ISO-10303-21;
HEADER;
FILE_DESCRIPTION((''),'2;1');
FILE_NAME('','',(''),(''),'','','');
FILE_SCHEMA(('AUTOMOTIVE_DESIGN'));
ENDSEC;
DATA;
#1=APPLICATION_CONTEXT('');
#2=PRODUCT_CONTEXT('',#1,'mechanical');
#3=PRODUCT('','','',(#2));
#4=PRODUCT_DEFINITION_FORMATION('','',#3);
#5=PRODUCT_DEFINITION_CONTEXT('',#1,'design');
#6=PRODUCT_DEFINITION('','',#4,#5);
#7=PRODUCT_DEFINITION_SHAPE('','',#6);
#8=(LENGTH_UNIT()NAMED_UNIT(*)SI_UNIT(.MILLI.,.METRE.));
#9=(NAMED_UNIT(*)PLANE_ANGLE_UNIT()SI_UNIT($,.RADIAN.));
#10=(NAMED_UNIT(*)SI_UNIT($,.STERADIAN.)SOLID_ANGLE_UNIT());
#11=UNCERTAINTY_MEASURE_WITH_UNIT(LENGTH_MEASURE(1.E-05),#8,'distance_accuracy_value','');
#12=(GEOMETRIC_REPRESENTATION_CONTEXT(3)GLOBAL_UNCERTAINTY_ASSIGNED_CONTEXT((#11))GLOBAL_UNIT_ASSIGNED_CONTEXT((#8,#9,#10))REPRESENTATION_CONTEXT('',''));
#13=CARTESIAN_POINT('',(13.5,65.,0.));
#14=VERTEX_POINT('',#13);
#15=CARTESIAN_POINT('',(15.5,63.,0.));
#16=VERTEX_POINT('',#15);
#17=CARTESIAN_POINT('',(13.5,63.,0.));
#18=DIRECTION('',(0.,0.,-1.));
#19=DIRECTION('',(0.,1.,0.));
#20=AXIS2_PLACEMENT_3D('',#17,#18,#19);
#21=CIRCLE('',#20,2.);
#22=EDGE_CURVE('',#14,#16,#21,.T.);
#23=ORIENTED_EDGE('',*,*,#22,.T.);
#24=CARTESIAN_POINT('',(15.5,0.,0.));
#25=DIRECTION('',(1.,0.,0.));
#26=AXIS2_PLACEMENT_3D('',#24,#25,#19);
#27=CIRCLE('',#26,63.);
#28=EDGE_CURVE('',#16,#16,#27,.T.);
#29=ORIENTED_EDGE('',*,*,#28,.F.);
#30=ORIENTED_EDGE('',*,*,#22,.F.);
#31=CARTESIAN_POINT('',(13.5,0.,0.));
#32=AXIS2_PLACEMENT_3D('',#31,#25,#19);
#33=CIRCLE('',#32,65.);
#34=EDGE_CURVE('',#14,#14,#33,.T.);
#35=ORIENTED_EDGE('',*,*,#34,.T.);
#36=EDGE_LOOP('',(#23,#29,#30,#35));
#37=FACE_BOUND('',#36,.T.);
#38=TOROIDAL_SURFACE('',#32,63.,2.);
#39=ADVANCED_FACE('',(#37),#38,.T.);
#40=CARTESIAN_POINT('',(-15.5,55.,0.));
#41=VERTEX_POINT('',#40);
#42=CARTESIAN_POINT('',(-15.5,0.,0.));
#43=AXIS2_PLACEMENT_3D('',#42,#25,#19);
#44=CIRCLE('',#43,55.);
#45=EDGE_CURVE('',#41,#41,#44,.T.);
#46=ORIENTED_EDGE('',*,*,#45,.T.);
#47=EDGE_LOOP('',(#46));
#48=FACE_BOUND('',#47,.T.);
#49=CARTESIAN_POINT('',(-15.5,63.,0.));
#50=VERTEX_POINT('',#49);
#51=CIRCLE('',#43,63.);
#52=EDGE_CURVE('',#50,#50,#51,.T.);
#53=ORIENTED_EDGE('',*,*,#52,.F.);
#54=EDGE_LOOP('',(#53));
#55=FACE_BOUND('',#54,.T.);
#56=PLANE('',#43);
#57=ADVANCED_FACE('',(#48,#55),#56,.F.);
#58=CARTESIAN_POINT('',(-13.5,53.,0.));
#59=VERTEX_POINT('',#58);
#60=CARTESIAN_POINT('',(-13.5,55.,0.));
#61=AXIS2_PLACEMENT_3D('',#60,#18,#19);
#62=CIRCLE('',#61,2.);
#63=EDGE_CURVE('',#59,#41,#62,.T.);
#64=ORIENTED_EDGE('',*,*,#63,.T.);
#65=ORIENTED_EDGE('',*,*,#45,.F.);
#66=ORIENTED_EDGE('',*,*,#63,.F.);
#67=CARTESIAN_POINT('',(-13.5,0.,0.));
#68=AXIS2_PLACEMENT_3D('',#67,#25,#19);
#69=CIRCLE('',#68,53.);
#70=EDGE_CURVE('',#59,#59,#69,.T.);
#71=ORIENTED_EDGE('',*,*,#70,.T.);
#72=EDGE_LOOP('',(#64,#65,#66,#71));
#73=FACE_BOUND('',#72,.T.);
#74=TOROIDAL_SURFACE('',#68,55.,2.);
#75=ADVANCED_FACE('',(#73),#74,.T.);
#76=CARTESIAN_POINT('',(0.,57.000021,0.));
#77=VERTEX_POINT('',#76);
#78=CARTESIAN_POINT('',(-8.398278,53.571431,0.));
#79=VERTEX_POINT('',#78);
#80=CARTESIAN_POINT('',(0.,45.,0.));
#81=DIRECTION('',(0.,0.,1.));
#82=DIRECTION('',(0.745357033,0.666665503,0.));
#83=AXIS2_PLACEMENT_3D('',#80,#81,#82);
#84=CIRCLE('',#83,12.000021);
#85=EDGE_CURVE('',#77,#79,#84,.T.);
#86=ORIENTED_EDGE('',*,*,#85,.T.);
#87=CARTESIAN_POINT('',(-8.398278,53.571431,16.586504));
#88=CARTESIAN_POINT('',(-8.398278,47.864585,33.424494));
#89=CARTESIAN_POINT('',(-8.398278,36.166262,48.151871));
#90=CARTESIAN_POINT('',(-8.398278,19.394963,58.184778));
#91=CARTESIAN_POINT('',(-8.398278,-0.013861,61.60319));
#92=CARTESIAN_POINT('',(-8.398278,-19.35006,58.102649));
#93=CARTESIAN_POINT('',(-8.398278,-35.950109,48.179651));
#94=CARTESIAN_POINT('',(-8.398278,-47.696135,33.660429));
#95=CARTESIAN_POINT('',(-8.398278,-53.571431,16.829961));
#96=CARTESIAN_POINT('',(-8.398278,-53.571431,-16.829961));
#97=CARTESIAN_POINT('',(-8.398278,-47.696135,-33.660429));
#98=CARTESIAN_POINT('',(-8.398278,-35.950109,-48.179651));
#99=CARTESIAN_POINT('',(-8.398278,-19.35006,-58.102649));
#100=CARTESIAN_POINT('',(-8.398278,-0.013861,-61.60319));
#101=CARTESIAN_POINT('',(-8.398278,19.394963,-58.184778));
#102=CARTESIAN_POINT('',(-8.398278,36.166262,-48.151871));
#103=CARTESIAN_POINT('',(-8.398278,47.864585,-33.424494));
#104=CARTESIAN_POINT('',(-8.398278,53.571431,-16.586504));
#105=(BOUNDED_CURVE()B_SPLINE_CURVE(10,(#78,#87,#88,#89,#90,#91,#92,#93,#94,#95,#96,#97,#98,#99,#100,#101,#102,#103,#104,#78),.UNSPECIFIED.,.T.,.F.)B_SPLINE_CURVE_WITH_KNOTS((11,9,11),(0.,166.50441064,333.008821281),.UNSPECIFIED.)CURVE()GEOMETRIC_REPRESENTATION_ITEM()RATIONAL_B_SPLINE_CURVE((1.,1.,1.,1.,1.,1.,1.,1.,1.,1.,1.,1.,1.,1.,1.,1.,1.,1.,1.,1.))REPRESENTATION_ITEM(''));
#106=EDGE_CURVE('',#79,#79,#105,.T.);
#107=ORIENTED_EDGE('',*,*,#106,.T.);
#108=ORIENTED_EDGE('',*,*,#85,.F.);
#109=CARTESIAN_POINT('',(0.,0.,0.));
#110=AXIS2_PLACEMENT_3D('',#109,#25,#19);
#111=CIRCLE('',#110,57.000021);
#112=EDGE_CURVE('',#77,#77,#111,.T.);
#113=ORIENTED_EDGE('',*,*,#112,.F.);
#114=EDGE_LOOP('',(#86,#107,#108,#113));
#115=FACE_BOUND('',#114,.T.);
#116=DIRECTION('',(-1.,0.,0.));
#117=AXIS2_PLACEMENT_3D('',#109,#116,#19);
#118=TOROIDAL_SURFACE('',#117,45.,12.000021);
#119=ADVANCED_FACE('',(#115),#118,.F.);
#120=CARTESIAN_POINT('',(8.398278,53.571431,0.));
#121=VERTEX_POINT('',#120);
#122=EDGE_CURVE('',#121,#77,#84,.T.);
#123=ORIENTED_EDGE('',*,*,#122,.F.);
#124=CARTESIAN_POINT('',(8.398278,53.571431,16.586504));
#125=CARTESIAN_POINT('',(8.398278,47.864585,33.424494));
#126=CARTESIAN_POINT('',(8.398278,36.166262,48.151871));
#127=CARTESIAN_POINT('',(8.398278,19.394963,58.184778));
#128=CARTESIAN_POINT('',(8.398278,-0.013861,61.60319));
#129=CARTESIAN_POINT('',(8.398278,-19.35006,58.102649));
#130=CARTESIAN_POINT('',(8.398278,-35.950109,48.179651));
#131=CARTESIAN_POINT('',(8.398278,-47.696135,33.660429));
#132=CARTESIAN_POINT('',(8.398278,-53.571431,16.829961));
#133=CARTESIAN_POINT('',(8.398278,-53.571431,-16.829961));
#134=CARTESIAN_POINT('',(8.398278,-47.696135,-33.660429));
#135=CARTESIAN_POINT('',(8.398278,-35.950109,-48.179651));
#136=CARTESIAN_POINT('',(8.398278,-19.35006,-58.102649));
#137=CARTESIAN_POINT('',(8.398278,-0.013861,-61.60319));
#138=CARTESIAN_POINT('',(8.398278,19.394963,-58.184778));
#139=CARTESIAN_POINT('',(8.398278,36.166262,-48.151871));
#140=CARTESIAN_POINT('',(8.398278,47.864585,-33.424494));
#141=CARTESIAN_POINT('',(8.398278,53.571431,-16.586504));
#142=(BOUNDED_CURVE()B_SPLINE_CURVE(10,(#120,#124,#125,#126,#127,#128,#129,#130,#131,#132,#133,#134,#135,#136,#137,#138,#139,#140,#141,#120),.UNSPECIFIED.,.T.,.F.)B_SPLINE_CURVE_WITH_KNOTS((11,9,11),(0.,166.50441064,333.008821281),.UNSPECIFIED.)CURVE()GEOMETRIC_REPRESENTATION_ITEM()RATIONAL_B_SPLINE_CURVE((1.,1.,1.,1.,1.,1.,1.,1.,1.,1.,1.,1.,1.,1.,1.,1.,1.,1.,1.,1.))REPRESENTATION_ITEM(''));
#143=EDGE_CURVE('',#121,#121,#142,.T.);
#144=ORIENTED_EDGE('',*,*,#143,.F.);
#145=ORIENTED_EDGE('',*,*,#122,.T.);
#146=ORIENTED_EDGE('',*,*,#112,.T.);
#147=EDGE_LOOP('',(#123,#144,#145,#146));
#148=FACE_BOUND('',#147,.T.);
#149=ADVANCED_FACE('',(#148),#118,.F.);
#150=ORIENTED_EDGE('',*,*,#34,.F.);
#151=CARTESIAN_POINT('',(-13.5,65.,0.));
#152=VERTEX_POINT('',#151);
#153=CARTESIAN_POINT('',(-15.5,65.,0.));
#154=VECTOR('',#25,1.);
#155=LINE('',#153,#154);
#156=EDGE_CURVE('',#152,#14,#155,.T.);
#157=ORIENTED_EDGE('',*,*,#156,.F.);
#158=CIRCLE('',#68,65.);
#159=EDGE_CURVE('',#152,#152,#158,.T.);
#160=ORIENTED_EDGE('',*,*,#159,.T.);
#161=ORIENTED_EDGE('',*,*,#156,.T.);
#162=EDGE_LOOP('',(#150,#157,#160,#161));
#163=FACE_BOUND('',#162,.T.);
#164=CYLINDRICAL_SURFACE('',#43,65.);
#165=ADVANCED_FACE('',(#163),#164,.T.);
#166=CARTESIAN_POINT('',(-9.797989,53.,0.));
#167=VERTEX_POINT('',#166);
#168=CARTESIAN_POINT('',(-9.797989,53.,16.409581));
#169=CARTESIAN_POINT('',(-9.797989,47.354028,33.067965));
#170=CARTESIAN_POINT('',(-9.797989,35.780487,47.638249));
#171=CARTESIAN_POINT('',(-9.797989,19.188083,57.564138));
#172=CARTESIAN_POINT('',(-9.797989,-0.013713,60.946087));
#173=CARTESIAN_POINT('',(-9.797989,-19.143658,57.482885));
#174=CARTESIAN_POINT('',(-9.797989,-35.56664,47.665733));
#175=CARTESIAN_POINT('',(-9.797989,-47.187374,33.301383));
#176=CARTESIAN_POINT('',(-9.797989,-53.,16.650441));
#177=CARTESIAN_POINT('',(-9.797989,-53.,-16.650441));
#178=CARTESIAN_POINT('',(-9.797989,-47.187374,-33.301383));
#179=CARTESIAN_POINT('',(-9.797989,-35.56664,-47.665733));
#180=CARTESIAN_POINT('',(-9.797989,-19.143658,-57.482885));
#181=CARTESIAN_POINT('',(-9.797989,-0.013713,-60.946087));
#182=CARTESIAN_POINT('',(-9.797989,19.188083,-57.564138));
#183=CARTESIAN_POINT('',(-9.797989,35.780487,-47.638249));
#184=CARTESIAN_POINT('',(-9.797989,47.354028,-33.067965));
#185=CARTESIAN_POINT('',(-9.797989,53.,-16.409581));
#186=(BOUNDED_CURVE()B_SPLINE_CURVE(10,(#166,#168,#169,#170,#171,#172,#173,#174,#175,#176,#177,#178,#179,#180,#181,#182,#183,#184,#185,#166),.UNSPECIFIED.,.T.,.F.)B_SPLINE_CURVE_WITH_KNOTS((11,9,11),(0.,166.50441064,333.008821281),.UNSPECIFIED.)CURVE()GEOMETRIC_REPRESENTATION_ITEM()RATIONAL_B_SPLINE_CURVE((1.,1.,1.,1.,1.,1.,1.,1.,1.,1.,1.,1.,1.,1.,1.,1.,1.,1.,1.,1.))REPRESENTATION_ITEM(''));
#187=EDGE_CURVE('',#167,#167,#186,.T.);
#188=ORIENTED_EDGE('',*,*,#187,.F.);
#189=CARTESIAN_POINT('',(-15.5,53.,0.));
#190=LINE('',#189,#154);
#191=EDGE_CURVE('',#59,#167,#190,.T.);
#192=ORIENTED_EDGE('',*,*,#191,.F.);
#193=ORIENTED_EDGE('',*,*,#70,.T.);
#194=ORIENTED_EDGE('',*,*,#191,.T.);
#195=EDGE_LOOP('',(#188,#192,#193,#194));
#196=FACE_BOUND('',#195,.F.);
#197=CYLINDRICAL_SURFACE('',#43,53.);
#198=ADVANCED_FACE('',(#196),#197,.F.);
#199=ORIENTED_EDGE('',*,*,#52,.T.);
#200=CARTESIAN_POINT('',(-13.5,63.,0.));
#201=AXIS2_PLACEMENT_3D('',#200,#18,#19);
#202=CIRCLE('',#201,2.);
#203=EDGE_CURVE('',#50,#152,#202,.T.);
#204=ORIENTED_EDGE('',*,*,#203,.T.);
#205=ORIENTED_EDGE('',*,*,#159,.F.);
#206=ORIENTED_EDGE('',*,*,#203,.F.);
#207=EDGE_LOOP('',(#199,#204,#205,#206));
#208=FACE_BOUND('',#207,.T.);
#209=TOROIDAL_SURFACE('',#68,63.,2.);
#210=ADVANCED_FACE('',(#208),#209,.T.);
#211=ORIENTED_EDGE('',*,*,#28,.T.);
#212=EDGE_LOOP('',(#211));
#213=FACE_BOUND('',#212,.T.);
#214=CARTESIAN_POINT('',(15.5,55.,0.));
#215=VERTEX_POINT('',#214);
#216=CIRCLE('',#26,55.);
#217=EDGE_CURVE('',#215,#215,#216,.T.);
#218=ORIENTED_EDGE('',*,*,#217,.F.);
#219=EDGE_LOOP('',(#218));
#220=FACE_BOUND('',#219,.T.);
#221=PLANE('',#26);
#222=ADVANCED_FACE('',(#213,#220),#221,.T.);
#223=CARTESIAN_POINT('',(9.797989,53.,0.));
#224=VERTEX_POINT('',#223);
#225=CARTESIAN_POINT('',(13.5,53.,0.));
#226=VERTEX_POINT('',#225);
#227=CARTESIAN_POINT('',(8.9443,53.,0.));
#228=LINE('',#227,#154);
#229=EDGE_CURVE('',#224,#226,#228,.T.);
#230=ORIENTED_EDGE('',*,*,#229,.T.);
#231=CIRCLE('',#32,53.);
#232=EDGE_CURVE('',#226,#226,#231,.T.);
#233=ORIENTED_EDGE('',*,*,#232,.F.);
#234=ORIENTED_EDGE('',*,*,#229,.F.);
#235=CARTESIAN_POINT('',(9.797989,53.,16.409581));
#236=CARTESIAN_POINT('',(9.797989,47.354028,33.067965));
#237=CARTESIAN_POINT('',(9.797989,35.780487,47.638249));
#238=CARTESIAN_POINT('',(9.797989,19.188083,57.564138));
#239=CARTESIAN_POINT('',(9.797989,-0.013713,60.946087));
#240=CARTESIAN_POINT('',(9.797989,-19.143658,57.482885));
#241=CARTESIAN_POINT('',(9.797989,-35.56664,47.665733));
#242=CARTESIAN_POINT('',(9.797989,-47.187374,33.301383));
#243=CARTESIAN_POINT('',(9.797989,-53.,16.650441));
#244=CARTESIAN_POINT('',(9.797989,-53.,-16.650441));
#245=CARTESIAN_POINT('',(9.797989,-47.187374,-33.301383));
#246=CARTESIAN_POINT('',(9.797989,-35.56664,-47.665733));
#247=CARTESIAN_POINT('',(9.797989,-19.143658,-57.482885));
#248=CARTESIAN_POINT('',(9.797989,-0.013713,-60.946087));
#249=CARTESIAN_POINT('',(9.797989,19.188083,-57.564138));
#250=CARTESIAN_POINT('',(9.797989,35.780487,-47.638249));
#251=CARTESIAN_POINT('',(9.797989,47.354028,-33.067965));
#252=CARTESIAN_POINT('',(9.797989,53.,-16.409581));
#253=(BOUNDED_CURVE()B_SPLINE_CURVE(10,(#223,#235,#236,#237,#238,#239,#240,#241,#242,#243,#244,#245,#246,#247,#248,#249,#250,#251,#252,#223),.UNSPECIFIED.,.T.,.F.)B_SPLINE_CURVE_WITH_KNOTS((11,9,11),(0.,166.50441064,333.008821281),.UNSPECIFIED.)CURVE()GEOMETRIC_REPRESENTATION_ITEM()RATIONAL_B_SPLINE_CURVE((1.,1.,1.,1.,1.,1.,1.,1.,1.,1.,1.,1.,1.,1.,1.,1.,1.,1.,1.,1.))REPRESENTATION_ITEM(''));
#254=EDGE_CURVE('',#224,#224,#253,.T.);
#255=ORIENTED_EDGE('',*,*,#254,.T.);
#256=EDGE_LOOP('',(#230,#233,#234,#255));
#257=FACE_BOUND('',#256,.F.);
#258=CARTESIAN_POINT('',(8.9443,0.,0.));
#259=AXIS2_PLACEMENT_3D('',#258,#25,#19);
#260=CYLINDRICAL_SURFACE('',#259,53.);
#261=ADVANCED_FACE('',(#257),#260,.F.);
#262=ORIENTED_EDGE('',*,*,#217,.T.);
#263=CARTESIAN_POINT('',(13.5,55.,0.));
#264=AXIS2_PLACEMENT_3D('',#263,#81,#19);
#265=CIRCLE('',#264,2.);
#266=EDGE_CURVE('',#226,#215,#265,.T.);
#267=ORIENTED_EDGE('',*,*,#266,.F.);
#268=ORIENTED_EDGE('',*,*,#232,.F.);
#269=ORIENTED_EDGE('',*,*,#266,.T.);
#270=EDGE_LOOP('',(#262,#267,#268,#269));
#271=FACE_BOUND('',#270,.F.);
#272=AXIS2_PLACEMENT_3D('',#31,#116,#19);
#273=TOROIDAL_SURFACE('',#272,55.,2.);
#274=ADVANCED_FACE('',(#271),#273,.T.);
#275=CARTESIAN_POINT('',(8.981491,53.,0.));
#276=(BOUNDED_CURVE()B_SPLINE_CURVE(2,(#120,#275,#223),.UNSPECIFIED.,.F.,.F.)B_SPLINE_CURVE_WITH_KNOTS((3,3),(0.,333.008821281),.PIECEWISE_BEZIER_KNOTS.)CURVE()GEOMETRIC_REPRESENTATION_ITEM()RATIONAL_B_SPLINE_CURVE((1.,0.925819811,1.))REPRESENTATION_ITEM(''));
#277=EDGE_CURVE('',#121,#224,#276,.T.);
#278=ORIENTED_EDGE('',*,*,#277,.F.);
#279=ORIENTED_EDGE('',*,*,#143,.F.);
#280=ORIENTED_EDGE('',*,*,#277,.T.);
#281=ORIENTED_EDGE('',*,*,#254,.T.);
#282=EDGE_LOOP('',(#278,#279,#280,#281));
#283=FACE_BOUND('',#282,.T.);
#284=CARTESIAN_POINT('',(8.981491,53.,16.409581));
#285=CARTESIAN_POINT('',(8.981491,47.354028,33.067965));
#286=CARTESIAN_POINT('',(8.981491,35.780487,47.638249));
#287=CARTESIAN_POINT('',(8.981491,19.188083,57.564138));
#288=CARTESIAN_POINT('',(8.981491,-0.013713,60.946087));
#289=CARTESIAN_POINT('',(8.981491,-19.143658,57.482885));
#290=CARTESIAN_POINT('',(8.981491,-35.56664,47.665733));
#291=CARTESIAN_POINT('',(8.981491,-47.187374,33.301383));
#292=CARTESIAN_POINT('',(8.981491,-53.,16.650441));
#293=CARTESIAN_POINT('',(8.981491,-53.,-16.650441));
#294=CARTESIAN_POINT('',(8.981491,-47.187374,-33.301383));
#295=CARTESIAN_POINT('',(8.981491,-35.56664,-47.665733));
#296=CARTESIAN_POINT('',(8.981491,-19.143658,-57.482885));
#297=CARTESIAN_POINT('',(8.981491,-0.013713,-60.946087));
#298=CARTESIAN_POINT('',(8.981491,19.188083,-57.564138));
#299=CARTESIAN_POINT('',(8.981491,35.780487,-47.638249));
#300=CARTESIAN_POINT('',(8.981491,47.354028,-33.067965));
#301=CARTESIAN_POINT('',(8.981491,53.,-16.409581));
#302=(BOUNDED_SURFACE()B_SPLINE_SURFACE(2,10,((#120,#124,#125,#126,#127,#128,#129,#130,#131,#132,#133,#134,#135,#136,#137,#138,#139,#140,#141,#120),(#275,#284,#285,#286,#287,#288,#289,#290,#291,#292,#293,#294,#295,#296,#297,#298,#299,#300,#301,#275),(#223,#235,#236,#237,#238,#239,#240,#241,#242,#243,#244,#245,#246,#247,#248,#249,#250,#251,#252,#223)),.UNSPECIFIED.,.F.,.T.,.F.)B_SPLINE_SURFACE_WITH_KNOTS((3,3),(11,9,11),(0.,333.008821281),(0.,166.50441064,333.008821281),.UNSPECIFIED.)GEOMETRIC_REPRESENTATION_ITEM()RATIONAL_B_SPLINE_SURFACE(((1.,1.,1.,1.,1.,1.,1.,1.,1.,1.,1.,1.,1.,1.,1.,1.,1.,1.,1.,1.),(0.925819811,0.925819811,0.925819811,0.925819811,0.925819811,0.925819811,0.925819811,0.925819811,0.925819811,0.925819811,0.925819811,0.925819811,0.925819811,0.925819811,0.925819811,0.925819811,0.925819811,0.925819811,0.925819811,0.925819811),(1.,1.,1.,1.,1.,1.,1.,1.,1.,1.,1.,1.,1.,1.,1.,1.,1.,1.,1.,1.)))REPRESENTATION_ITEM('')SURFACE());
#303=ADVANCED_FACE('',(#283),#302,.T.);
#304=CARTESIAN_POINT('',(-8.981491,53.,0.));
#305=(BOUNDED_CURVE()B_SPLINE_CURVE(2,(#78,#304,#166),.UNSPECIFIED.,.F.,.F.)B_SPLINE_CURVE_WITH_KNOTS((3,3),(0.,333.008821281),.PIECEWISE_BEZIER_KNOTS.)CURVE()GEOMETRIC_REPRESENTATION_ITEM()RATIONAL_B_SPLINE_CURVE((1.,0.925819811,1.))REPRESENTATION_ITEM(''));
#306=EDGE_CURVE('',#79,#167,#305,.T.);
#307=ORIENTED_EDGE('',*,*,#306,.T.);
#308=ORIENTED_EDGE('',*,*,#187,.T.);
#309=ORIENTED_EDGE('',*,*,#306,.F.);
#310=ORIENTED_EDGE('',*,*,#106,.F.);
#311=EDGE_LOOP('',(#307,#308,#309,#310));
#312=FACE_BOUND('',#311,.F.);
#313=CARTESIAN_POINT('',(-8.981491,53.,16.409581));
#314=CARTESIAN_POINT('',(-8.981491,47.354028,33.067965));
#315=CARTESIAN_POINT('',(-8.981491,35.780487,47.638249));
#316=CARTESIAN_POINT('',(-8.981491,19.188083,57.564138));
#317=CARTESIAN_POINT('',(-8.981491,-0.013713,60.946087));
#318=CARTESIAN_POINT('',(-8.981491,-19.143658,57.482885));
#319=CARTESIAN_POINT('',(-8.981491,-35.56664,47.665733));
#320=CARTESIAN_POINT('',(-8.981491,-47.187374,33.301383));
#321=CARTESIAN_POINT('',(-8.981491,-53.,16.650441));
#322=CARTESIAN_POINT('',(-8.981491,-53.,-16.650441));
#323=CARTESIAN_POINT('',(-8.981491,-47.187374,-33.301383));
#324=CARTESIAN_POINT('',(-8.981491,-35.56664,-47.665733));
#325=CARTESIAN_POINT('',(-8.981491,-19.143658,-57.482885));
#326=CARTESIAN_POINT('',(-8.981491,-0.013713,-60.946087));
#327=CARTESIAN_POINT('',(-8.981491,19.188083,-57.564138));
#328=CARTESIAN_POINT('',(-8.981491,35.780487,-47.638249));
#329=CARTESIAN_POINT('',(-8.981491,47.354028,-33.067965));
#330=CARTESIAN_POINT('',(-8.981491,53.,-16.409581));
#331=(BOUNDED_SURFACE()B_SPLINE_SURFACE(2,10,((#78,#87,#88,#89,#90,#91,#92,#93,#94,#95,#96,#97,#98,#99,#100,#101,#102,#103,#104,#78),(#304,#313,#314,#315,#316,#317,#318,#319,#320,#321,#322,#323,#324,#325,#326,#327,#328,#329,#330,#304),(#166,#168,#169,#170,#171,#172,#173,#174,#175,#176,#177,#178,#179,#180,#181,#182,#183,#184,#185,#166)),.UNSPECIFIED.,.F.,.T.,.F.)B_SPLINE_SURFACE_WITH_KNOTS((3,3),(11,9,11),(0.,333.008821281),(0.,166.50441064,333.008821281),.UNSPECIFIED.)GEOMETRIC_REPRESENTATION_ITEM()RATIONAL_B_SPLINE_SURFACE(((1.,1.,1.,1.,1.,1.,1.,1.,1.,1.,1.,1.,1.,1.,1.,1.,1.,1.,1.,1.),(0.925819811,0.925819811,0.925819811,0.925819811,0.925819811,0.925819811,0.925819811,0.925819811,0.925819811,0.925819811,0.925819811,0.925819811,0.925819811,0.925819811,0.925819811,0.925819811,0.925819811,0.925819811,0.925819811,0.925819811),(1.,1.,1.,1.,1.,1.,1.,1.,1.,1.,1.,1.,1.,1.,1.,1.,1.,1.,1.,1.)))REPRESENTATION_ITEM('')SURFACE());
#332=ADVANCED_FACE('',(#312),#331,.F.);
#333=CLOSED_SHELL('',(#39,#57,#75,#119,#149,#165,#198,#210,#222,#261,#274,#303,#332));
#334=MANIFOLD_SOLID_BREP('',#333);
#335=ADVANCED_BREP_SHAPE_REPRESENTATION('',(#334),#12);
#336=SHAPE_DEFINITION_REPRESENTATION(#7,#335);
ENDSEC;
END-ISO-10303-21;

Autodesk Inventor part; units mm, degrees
ref_plane "YZ Plane" through (0, 0, 0) normal (1, 0, 0) x (0, 1, 0)
ref_plane "XZ Plane" through (0, 0, 0) normal (0, 1, 0) x (-1, 0, 0)
ref_plane "XY Plane" through (0, 0, 0) normal (0, 0, 1) x (1, 0, 0)
sketch "Sketch1" plane through (0, 0, 0) normal (0, 0, 1) x (1, 0, 0)
  line L0 (0, -13) -> (0, 78) projected
  line L1 (-15.5, 65) -> (15.5, 65)
  line L2 (15.5, 65) -> (15.5, 53)
  line L3 (15.5, 53) -> (-15.5, 53) construction
  line L4 (-15.5, 53) -> (-15.5, 65)
  arc A0 (8.9443, 53) -> (-8.9443, 53) centre (0, 45) ccw
  line L5 (-21.7, 0) -> (21.7, 0) projected
  line L6 (-15.5, 53) -> (-8.9443, 53)
  line L7 (8.9443, 53) -> (15.5, 53)
  point P0 (0, 0)
  point P1 (0, 53)
  dimension "d0" = 31
  dimension "d1" = 65
  dimension "d2" = 53
  dimension "d3" = 12
  dimension "d4" = 8
revolve "Revolution1" add sketch "Sketch1" angle 360 about axis through (-10, 0, 0) along (1, 0, 0)
fillet "Fillet1" radius 2 6 edges at (15.5, -65, 0) (-15.5, -65, 0) (15.5, -53, 0) (-8.9443, -53, 0) (-15.5, -53, 0) (8.9443, -53, 0)
properties part number "InelExterior"
